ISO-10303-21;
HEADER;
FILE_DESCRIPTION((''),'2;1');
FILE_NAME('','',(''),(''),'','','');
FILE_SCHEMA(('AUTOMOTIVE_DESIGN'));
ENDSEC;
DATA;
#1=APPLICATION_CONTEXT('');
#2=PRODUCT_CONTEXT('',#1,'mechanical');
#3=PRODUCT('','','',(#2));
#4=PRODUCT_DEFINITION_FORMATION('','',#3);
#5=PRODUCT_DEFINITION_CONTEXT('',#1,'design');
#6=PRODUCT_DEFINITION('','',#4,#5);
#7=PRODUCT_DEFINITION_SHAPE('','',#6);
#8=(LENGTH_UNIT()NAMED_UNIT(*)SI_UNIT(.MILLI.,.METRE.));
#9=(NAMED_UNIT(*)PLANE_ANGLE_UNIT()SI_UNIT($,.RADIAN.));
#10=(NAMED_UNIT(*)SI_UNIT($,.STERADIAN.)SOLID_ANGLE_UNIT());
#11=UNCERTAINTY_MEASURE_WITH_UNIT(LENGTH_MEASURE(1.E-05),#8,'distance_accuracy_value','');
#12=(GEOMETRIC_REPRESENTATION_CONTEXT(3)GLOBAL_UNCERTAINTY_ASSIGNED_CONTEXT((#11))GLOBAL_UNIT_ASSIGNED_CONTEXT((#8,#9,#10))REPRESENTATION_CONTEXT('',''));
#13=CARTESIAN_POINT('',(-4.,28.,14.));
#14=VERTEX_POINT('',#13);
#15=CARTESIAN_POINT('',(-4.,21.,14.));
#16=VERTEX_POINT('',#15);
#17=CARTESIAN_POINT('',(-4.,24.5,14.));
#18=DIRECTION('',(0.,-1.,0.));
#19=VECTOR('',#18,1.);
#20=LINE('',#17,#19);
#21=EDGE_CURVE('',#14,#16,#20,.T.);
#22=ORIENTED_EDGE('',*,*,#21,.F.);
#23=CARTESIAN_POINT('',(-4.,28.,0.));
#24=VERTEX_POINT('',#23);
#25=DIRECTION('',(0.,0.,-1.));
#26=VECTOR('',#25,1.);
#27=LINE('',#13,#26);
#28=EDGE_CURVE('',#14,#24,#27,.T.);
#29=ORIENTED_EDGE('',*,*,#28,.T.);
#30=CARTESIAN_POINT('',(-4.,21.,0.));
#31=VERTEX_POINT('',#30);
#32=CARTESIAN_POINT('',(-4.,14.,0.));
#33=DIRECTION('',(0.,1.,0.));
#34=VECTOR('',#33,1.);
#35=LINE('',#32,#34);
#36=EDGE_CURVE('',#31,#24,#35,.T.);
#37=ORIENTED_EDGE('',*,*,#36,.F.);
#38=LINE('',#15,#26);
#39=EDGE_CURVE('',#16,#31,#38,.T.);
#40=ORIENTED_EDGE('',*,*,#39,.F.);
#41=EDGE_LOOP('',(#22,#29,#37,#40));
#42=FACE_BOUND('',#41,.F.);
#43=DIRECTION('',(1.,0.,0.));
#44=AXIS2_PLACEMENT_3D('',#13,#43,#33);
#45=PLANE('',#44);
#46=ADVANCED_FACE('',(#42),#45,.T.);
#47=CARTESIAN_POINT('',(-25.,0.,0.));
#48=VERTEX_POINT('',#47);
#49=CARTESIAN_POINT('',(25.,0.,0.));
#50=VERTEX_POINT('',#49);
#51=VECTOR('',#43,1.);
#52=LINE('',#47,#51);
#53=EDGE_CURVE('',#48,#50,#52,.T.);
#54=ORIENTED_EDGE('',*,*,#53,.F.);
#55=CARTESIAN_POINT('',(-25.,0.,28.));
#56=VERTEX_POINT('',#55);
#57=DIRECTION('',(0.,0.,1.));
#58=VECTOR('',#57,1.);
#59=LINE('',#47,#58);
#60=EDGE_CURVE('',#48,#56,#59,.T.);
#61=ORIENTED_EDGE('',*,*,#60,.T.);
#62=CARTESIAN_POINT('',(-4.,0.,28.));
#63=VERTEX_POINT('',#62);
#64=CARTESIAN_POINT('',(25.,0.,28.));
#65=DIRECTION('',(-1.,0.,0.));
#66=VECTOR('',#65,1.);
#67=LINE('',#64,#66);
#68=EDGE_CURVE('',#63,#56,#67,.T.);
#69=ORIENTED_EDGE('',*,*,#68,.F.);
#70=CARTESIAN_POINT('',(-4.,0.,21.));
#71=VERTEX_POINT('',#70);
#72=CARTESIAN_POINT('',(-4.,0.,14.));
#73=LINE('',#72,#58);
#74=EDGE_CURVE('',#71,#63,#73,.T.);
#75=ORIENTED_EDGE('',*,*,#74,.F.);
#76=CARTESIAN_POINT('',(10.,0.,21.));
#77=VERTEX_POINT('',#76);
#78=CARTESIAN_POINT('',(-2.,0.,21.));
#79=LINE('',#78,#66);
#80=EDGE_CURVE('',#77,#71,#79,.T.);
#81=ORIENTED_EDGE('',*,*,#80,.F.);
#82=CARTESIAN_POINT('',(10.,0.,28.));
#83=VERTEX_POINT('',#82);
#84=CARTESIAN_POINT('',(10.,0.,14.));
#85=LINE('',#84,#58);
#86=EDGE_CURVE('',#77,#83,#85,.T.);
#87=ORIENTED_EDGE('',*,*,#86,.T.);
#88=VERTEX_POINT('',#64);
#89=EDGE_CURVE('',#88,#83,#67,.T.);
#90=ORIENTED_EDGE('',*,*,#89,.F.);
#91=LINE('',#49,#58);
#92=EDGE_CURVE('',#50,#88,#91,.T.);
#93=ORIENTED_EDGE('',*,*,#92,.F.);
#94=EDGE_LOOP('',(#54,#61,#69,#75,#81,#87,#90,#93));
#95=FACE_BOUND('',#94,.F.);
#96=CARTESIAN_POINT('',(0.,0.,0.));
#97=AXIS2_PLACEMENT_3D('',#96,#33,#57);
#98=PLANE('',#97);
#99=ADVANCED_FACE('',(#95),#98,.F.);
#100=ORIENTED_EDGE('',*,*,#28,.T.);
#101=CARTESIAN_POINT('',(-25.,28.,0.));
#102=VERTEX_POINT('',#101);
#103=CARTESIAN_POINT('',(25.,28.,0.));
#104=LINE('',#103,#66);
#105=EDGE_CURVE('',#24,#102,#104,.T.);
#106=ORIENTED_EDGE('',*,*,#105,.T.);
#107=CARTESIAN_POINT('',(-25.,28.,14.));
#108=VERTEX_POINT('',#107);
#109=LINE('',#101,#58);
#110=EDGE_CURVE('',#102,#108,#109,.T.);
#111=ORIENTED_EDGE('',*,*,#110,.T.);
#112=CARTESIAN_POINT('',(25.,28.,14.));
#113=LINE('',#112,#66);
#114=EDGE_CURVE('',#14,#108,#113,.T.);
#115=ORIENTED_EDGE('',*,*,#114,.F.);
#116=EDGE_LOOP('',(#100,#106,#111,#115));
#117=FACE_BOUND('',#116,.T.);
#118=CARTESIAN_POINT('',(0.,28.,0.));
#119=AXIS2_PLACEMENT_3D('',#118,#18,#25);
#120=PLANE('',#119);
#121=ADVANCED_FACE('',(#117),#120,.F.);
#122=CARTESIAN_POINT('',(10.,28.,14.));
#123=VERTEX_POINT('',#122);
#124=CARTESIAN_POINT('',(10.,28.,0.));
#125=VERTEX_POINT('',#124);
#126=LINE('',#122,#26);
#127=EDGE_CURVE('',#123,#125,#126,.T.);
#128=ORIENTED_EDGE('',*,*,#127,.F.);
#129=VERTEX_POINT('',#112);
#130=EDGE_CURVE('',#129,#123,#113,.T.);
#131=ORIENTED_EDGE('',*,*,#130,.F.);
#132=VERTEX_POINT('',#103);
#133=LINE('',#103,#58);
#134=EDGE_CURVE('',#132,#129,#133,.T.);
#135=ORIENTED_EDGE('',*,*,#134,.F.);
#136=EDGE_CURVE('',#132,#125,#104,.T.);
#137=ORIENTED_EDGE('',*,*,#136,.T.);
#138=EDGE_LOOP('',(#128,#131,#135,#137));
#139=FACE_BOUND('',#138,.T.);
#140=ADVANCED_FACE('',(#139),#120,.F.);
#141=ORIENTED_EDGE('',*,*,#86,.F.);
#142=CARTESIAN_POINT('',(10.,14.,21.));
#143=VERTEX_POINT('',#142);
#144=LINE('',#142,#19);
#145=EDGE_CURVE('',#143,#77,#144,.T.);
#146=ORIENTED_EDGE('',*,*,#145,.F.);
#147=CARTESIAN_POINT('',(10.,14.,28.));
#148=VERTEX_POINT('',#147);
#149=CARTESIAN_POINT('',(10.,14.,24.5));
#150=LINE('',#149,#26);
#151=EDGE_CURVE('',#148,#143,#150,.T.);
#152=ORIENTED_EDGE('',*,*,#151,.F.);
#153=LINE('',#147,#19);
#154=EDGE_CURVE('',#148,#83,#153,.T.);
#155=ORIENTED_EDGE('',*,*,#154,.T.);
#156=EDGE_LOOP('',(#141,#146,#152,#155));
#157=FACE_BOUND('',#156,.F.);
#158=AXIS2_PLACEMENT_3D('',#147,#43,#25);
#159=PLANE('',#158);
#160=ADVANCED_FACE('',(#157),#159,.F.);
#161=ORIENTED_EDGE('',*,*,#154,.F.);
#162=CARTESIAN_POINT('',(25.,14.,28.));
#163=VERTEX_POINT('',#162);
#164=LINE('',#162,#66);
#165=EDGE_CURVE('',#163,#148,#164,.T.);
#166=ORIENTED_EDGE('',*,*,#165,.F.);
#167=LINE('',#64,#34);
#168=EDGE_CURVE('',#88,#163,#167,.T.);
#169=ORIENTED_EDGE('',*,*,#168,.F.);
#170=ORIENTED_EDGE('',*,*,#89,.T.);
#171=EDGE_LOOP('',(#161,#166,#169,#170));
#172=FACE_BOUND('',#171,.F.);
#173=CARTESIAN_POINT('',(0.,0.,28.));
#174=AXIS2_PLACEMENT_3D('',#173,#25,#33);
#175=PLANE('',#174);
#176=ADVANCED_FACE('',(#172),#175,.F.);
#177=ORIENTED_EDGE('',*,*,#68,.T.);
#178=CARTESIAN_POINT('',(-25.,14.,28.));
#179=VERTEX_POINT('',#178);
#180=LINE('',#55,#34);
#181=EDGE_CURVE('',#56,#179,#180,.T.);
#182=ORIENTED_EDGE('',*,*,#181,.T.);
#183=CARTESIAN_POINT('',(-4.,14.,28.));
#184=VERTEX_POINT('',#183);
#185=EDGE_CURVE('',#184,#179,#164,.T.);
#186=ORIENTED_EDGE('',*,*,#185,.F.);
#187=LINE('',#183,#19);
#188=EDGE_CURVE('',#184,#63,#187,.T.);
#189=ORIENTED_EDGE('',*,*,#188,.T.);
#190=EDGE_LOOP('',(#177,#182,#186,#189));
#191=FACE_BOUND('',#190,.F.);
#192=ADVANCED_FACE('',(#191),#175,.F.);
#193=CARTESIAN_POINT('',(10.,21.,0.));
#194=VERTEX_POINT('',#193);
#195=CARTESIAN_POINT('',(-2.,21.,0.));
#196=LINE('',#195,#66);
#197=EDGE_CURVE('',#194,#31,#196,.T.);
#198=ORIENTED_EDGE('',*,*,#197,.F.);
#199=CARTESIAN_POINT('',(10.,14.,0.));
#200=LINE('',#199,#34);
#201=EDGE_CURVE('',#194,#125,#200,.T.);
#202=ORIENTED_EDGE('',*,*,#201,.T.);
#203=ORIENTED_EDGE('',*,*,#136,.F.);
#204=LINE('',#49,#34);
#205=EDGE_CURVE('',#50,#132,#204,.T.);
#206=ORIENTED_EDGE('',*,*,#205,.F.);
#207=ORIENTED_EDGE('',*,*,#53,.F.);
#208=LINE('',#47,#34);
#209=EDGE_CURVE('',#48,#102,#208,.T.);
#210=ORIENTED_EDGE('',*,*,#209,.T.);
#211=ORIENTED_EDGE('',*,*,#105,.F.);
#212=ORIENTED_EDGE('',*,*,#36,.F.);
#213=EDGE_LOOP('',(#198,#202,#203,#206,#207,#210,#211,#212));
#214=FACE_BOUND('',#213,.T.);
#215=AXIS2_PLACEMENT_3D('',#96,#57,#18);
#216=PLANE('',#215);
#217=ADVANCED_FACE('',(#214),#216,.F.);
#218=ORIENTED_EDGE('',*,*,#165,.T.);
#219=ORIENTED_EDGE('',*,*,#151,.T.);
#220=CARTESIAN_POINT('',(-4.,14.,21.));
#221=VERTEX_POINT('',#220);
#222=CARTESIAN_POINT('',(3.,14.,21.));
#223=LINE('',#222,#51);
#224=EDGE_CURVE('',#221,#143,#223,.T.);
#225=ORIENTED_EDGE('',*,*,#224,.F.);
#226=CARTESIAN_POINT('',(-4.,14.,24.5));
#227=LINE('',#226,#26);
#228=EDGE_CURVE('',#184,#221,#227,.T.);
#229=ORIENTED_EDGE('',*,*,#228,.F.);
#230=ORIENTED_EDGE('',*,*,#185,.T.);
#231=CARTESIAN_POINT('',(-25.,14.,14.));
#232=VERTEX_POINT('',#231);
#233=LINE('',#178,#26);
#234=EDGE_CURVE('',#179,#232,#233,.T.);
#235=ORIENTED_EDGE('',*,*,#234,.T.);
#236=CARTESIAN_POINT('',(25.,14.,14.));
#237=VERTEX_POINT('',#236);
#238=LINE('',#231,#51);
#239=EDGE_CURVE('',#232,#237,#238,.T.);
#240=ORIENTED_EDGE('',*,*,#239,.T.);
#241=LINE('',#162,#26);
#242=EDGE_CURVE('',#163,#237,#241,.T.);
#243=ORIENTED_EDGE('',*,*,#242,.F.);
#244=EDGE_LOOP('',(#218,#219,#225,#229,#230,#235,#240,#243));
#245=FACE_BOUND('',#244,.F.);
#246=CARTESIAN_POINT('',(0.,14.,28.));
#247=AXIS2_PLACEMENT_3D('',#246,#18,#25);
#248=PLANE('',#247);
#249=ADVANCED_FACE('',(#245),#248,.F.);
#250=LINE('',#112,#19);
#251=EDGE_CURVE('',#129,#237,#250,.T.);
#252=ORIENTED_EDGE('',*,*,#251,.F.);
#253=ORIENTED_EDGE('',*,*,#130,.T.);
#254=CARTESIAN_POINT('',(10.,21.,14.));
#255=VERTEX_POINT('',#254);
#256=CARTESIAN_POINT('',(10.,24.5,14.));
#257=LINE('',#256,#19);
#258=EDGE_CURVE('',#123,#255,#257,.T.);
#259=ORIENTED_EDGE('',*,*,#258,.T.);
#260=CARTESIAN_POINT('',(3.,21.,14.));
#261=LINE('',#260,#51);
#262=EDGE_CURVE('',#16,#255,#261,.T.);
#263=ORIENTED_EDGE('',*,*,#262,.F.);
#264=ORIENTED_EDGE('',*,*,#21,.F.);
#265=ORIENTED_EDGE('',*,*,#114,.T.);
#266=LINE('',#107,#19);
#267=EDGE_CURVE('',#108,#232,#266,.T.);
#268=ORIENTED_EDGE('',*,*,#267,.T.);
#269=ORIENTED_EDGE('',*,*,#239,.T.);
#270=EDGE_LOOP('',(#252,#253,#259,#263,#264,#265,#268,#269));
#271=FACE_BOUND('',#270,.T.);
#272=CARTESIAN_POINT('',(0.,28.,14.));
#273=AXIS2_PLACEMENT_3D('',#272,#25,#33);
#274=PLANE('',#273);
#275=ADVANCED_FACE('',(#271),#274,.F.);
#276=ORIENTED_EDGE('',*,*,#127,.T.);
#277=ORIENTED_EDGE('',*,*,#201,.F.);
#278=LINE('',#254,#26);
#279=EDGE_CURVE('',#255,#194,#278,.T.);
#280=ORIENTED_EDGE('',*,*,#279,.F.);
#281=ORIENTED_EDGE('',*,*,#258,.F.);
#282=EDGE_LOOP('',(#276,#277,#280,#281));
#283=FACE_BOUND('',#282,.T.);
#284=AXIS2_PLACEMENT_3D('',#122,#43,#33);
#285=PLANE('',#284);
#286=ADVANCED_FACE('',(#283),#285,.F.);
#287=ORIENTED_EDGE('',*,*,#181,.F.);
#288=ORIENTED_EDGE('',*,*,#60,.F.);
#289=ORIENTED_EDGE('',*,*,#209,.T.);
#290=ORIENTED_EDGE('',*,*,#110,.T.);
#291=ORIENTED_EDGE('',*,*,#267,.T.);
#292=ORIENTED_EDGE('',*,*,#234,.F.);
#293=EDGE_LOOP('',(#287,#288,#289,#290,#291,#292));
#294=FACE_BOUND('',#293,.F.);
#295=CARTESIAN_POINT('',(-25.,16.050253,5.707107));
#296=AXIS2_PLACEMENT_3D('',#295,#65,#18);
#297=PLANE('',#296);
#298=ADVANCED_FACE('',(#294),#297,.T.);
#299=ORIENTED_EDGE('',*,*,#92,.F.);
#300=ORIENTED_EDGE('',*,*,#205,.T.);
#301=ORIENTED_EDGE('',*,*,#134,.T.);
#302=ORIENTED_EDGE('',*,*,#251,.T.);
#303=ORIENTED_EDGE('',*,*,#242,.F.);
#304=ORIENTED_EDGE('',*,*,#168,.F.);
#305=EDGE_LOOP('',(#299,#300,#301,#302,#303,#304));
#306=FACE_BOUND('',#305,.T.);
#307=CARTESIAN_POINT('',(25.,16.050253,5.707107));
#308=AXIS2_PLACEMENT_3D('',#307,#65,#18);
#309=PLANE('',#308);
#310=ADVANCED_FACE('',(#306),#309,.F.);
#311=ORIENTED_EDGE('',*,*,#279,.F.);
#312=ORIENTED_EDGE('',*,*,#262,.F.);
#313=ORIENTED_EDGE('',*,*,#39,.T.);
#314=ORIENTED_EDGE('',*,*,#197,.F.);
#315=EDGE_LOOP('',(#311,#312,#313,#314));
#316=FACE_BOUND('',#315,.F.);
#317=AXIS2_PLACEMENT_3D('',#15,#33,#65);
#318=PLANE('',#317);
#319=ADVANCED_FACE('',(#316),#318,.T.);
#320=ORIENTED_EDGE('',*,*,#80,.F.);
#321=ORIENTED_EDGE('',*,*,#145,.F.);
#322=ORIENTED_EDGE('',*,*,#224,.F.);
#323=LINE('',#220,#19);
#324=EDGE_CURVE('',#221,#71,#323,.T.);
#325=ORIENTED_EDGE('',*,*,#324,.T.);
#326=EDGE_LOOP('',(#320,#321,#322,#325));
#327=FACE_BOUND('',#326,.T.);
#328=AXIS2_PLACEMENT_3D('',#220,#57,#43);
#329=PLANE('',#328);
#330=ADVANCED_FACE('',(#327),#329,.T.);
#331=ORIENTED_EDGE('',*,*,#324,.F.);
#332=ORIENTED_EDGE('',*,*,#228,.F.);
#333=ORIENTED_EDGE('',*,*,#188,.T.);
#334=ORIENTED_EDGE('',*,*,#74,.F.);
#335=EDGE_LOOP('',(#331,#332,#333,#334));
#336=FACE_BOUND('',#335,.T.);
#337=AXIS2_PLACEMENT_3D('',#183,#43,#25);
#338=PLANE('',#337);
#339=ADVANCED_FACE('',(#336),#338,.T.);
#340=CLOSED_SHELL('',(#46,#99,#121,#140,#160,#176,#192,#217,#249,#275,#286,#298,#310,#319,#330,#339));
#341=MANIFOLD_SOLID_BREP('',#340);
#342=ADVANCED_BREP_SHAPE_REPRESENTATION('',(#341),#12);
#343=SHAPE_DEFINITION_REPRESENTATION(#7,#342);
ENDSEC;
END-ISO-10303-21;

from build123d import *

# Parameters (mm, degrees)
BOSS_EXTRUDE1_DEPTH = 25
CUT_EXTRUDE1_REACH  = 16
SKETCH3_W           = 14
SKETCH3_H           = 7


with BuildPart() as part:
    # Sketch2 → Boss-Extrude1 (new body, symmetric)
    with BuildSketch(Plane(origin=(0, 0, 0), x_dir=(0, 0, -1), z_dir=(1, 0, 0))):
        Polygon((0, 0), (-28, 0), (-28, 14), (-14, 14), align=None)
    extrude(amount=BOSS_EXTRUDE1_DEPTH, both=True)

    # Sketch3 → Cut-Extrude1 (cut, up to next)
    with BuildSketch(Plane(origin=(0, 14, 0), x_dir=(1, 0, 0), z_dir=(0, 1, 0)), mode=Mode.PRIVATE) as cut_extrude1_sk1:
        with Locations((3, -24.5)):
            Rectangle(SKETCH3_W, SKETCH3_H)
    cut_extrude1_tool1 = extrude(cut_extrude1_sk1.sketch, amount=-CUT_EXTRUDE1_REACH, mode=Mode.PRIVATE) & part.part
    add(cut_extrude1_tool1.solids().sort_by_distance((3, 14, 24.5))[0], mode=Mode.SUBTRACT)

    # Mirror1: part across plane


with BuildPart() as part_1:
    add(part.part)
    add(part.part.mirror(Plane(origin=(25, 14, 14), x_dir=(0, 0.707106781, 0.707106781), z_dir=(0, -0.707106781, 0.707106781))))


solid = part_1.part
